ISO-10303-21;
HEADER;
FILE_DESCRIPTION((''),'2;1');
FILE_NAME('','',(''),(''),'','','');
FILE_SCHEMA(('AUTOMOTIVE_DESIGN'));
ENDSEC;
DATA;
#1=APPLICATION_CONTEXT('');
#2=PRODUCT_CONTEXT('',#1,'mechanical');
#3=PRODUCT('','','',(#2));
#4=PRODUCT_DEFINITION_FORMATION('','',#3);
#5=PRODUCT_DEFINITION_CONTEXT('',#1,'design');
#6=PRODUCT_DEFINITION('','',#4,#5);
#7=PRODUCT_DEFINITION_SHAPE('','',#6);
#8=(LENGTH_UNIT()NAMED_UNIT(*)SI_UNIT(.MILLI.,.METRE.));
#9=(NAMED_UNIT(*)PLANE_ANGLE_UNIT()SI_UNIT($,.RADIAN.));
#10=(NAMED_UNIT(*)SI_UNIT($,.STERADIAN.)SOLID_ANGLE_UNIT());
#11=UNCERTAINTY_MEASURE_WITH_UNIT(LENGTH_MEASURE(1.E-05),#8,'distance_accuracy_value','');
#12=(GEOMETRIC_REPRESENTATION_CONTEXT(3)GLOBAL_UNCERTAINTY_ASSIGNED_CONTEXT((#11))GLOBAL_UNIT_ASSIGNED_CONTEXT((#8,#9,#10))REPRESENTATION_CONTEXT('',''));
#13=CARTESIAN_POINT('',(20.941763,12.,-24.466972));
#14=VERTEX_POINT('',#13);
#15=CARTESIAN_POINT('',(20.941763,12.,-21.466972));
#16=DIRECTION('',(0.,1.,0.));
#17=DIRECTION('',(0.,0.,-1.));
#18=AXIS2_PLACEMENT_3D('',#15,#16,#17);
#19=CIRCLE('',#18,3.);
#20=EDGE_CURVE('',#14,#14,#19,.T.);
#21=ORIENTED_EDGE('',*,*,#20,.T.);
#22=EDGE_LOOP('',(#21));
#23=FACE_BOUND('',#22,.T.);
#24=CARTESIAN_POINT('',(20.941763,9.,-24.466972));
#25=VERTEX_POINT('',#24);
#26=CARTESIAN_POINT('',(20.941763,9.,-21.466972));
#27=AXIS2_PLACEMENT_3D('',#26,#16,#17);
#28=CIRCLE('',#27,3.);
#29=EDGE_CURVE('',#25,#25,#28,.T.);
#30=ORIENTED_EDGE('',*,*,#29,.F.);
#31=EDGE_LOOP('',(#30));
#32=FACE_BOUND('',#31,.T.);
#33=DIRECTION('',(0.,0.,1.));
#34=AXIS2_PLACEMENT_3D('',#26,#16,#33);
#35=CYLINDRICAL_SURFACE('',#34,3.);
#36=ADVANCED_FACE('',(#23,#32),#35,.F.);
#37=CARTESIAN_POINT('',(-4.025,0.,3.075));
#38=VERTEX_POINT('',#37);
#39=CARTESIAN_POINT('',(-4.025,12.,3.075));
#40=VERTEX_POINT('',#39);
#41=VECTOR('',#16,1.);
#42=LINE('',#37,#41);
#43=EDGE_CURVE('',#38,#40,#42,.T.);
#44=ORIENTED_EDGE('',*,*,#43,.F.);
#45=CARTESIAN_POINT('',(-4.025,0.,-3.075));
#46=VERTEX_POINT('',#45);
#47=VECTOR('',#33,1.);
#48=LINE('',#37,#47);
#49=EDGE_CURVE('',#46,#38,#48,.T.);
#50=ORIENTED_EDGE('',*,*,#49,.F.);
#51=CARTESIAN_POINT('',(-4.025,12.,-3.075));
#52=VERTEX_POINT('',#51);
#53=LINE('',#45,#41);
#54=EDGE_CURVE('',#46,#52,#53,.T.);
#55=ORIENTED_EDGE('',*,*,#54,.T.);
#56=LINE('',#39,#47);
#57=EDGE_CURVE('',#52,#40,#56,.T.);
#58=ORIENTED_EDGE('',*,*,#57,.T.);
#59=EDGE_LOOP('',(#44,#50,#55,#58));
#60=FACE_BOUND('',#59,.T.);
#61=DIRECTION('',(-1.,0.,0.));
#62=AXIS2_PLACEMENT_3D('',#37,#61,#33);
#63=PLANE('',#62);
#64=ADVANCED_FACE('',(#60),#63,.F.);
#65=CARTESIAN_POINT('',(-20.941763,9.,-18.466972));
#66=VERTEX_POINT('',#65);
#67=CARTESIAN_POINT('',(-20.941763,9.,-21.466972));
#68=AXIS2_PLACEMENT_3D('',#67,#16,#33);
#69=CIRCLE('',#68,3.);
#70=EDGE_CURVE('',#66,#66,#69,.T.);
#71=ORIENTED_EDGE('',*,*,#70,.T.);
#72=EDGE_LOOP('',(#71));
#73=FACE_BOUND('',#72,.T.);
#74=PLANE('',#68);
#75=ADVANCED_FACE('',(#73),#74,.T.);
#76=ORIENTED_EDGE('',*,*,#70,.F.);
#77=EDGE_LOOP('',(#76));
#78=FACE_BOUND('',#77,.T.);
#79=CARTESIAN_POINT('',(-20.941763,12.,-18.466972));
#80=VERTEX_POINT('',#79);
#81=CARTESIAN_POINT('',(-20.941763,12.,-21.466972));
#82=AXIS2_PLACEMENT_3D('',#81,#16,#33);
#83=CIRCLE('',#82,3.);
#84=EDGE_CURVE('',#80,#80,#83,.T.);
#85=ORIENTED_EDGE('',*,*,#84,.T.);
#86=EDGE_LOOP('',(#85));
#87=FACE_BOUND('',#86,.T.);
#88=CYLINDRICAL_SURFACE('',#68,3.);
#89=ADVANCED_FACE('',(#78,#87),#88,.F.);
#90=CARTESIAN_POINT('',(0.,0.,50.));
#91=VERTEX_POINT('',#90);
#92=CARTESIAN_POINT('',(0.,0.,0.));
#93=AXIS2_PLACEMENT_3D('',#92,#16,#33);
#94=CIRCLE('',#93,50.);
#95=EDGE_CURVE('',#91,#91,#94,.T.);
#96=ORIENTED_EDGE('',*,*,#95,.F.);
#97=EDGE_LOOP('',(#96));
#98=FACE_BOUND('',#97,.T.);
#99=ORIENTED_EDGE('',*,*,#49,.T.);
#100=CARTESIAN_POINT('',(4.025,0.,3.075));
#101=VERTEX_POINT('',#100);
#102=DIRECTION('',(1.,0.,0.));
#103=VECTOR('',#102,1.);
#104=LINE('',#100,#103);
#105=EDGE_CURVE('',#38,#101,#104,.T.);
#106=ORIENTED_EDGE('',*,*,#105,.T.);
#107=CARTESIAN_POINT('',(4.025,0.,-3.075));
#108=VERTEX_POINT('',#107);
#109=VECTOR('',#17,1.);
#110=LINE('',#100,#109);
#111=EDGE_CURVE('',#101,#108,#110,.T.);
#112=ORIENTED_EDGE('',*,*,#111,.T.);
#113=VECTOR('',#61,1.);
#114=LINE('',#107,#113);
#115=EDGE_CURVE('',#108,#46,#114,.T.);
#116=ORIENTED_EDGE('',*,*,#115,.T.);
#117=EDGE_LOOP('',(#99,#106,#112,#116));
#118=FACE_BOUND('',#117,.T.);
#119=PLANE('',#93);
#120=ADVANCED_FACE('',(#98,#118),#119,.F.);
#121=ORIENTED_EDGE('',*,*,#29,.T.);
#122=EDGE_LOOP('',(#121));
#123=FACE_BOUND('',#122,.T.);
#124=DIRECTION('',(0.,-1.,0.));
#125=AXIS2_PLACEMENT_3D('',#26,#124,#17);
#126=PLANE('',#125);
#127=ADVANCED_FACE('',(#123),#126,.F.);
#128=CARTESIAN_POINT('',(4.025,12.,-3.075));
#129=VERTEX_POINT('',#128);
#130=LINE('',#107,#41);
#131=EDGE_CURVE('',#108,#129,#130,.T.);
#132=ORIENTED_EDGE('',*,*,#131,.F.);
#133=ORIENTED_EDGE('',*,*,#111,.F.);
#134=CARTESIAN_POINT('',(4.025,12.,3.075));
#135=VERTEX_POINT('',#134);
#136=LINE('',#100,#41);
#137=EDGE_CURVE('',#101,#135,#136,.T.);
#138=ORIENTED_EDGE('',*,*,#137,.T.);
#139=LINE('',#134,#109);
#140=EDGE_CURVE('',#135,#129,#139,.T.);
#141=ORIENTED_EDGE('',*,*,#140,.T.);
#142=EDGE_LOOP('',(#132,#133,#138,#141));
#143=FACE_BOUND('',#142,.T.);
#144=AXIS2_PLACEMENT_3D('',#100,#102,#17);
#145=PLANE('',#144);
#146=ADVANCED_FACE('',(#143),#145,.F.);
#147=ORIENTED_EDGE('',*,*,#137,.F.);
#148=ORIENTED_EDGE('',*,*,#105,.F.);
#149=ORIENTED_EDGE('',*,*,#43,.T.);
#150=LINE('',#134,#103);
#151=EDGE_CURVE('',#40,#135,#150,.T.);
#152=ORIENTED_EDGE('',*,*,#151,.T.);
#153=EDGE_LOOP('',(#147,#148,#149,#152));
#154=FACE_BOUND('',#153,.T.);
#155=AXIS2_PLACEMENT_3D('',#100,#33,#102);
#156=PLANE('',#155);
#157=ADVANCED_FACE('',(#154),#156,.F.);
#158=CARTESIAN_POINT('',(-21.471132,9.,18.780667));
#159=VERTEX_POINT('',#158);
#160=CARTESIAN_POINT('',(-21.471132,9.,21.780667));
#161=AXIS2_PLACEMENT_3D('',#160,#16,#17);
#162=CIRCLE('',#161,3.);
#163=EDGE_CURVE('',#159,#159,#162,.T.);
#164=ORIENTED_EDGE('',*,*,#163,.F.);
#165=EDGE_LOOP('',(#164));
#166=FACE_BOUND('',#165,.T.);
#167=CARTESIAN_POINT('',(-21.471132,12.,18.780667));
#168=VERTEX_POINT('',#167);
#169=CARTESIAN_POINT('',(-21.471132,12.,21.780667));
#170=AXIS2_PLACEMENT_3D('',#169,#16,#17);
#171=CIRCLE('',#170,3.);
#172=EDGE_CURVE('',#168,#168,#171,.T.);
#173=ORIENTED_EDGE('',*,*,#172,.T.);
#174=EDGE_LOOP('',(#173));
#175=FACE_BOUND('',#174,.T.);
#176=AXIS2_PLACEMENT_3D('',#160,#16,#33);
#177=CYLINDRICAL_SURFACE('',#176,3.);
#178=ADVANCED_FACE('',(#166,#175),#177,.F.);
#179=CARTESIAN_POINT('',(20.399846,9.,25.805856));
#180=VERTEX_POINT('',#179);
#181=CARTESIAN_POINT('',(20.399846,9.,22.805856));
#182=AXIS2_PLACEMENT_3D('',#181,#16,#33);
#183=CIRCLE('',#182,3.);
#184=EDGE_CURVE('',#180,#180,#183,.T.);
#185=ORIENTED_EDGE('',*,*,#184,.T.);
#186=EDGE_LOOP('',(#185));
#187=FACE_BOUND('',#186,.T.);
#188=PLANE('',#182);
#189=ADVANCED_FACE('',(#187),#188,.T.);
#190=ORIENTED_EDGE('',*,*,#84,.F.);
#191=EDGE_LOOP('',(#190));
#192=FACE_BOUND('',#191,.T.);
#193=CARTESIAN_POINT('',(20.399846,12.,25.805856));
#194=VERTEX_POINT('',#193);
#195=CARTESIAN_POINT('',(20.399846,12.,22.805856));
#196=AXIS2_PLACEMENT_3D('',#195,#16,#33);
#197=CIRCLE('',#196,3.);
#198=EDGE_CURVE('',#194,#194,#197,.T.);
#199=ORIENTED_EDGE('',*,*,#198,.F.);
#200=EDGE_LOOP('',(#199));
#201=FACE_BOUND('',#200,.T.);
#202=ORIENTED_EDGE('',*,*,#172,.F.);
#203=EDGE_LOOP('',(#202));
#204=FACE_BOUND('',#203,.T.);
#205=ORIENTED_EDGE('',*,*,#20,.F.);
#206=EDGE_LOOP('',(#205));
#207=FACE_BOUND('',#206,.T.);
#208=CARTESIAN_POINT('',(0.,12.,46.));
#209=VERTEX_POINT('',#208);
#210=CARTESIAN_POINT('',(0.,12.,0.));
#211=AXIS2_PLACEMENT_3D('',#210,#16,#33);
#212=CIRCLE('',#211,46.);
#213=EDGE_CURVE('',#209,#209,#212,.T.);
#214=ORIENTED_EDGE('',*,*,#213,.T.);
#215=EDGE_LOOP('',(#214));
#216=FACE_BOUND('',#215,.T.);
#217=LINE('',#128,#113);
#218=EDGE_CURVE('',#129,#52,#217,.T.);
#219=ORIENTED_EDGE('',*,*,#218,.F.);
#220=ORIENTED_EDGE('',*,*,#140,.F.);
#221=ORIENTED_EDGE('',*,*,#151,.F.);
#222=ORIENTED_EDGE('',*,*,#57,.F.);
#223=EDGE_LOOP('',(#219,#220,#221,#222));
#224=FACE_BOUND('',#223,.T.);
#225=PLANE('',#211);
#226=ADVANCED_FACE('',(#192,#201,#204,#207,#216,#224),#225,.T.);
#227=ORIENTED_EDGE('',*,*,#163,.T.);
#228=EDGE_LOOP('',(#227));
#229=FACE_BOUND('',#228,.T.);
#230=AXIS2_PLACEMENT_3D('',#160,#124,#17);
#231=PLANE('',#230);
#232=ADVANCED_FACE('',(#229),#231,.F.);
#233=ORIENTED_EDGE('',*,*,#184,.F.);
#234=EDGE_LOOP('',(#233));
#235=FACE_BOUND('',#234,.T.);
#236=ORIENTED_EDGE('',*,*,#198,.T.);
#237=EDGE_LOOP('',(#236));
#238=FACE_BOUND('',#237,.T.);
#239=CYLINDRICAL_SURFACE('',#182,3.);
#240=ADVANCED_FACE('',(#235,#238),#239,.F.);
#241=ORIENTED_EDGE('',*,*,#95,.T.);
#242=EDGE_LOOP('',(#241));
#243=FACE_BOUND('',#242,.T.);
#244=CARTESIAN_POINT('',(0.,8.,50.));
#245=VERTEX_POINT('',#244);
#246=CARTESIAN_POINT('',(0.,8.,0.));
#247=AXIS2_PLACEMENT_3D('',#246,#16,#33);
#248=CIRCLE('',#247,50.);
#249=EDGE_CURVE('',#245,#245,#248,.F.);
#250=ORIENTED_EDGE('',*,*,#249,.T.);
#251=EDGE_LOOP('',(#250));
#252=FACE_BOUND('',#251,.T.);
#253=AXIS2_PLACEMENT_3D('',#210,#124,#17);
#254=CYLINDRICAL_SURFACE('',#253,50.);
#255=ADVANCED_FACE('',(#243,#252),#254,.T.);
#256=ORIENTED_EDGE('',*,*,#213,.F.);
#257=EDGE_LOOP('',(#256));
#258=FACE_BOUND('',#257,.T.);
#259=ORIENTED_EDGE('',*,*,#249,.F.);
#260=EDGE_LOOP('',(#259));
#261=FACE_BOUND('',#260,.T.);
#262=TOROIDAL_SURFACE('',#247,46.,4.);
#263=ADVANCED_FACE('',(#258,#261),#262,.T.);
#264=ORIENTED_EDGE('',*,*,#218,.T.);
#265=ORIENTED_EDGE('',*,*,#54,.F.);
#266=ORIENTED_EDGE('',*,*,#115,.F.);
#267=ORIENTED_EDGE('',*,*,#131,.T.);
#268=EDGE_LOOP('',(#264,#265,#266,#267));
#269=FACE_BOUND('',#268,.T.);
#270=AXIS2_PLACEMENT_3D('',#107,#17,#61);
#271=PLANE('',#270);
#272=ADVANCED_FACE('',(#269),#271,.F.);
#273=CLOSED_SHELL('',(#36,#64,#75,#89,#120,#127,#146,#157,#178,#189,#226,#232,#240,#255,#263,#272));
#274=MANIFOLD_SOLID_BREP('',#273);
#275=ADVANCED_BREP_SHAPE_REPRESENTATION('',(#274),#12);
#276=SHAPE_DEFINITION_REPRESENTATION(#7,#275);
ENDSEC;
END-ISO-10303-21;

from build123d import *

# Parameters (mm, degrees)
SKETCH_1_R          = 50
EXTRUDE_1_DEPTH     = 12
FILLET_1_R          = 4
SKETCH_5_R          = 3
CUT_EXTRUDE_1_DEPTH = 3
SKETCH_7_W          = 8.05
SKETCH_7_H          = 6.15
CUT_EXTRUDE_2_DEPTH = 72.721684308


with BuildPart() as part:
    # 草图1 → 凸台-拉伸1 (new body)
    with BuildSketch(Plane(origin=(0, 0, 0), x_dir=(1, 0, 0), z_dir=(0, 1, 0))):
        with Locations(Location((0, 0, 0), (0, 0, 270))):
            Circle(SKETCH_1_R)
    extrude(amount=EXTRUDE_1_DEPTH)

    # 圆角1
    fillet_1_edges = [part.edges().sort_by_distance(p)[0] for p in [
        (0, 12, -50),
    ]]
    fillet(fillet_1_edges, radius=FILLET_1_R)

    # 草图5 → 切除-拉伸1 (cut)
    with BuildSketch(Plane(origin=(0, 12, 0), x_dir=(1, 0, 0), z_dir=(0, 1, 0))):
        with Locations(Location((-20.941763413, 21.466971597, 0), (0, 0, 270))):
            Circle(SKETCH_5_R)
        with Locations(Location((20.941763413, 21.466971597, 0), (0, 0, 90))):
            Circle(SKETCH_5_R)
        with Locations(Location((20.399845913, -22.80585614, 0), (0, 0, 270))):
            Circle(SKETCH_5_R)
        with Locations(Location((-21.471132177, -21.780666781, 0), (0, 0, 90))):
            Circle(SKETCH_5_R)
    extrude(amount=-CUT_EXTRUDE_1_DEPTH, mode=Mode.SUBTRACT)

    # 草图7 → 切除-拉伸2 (cut, through all)
    with BuildSketch(Plane(origin=(0, 12, 0), x_dir=(1, 0, 0), z_dir=(0, 1, 0))):
        Rectangle(SKETCH_7_W, SKETCH_7_H)
    extrude(amount=-CUT_EXTRUDE_2_DEPTH, mode=Mode.SUBTRACT)


solid = part.part
